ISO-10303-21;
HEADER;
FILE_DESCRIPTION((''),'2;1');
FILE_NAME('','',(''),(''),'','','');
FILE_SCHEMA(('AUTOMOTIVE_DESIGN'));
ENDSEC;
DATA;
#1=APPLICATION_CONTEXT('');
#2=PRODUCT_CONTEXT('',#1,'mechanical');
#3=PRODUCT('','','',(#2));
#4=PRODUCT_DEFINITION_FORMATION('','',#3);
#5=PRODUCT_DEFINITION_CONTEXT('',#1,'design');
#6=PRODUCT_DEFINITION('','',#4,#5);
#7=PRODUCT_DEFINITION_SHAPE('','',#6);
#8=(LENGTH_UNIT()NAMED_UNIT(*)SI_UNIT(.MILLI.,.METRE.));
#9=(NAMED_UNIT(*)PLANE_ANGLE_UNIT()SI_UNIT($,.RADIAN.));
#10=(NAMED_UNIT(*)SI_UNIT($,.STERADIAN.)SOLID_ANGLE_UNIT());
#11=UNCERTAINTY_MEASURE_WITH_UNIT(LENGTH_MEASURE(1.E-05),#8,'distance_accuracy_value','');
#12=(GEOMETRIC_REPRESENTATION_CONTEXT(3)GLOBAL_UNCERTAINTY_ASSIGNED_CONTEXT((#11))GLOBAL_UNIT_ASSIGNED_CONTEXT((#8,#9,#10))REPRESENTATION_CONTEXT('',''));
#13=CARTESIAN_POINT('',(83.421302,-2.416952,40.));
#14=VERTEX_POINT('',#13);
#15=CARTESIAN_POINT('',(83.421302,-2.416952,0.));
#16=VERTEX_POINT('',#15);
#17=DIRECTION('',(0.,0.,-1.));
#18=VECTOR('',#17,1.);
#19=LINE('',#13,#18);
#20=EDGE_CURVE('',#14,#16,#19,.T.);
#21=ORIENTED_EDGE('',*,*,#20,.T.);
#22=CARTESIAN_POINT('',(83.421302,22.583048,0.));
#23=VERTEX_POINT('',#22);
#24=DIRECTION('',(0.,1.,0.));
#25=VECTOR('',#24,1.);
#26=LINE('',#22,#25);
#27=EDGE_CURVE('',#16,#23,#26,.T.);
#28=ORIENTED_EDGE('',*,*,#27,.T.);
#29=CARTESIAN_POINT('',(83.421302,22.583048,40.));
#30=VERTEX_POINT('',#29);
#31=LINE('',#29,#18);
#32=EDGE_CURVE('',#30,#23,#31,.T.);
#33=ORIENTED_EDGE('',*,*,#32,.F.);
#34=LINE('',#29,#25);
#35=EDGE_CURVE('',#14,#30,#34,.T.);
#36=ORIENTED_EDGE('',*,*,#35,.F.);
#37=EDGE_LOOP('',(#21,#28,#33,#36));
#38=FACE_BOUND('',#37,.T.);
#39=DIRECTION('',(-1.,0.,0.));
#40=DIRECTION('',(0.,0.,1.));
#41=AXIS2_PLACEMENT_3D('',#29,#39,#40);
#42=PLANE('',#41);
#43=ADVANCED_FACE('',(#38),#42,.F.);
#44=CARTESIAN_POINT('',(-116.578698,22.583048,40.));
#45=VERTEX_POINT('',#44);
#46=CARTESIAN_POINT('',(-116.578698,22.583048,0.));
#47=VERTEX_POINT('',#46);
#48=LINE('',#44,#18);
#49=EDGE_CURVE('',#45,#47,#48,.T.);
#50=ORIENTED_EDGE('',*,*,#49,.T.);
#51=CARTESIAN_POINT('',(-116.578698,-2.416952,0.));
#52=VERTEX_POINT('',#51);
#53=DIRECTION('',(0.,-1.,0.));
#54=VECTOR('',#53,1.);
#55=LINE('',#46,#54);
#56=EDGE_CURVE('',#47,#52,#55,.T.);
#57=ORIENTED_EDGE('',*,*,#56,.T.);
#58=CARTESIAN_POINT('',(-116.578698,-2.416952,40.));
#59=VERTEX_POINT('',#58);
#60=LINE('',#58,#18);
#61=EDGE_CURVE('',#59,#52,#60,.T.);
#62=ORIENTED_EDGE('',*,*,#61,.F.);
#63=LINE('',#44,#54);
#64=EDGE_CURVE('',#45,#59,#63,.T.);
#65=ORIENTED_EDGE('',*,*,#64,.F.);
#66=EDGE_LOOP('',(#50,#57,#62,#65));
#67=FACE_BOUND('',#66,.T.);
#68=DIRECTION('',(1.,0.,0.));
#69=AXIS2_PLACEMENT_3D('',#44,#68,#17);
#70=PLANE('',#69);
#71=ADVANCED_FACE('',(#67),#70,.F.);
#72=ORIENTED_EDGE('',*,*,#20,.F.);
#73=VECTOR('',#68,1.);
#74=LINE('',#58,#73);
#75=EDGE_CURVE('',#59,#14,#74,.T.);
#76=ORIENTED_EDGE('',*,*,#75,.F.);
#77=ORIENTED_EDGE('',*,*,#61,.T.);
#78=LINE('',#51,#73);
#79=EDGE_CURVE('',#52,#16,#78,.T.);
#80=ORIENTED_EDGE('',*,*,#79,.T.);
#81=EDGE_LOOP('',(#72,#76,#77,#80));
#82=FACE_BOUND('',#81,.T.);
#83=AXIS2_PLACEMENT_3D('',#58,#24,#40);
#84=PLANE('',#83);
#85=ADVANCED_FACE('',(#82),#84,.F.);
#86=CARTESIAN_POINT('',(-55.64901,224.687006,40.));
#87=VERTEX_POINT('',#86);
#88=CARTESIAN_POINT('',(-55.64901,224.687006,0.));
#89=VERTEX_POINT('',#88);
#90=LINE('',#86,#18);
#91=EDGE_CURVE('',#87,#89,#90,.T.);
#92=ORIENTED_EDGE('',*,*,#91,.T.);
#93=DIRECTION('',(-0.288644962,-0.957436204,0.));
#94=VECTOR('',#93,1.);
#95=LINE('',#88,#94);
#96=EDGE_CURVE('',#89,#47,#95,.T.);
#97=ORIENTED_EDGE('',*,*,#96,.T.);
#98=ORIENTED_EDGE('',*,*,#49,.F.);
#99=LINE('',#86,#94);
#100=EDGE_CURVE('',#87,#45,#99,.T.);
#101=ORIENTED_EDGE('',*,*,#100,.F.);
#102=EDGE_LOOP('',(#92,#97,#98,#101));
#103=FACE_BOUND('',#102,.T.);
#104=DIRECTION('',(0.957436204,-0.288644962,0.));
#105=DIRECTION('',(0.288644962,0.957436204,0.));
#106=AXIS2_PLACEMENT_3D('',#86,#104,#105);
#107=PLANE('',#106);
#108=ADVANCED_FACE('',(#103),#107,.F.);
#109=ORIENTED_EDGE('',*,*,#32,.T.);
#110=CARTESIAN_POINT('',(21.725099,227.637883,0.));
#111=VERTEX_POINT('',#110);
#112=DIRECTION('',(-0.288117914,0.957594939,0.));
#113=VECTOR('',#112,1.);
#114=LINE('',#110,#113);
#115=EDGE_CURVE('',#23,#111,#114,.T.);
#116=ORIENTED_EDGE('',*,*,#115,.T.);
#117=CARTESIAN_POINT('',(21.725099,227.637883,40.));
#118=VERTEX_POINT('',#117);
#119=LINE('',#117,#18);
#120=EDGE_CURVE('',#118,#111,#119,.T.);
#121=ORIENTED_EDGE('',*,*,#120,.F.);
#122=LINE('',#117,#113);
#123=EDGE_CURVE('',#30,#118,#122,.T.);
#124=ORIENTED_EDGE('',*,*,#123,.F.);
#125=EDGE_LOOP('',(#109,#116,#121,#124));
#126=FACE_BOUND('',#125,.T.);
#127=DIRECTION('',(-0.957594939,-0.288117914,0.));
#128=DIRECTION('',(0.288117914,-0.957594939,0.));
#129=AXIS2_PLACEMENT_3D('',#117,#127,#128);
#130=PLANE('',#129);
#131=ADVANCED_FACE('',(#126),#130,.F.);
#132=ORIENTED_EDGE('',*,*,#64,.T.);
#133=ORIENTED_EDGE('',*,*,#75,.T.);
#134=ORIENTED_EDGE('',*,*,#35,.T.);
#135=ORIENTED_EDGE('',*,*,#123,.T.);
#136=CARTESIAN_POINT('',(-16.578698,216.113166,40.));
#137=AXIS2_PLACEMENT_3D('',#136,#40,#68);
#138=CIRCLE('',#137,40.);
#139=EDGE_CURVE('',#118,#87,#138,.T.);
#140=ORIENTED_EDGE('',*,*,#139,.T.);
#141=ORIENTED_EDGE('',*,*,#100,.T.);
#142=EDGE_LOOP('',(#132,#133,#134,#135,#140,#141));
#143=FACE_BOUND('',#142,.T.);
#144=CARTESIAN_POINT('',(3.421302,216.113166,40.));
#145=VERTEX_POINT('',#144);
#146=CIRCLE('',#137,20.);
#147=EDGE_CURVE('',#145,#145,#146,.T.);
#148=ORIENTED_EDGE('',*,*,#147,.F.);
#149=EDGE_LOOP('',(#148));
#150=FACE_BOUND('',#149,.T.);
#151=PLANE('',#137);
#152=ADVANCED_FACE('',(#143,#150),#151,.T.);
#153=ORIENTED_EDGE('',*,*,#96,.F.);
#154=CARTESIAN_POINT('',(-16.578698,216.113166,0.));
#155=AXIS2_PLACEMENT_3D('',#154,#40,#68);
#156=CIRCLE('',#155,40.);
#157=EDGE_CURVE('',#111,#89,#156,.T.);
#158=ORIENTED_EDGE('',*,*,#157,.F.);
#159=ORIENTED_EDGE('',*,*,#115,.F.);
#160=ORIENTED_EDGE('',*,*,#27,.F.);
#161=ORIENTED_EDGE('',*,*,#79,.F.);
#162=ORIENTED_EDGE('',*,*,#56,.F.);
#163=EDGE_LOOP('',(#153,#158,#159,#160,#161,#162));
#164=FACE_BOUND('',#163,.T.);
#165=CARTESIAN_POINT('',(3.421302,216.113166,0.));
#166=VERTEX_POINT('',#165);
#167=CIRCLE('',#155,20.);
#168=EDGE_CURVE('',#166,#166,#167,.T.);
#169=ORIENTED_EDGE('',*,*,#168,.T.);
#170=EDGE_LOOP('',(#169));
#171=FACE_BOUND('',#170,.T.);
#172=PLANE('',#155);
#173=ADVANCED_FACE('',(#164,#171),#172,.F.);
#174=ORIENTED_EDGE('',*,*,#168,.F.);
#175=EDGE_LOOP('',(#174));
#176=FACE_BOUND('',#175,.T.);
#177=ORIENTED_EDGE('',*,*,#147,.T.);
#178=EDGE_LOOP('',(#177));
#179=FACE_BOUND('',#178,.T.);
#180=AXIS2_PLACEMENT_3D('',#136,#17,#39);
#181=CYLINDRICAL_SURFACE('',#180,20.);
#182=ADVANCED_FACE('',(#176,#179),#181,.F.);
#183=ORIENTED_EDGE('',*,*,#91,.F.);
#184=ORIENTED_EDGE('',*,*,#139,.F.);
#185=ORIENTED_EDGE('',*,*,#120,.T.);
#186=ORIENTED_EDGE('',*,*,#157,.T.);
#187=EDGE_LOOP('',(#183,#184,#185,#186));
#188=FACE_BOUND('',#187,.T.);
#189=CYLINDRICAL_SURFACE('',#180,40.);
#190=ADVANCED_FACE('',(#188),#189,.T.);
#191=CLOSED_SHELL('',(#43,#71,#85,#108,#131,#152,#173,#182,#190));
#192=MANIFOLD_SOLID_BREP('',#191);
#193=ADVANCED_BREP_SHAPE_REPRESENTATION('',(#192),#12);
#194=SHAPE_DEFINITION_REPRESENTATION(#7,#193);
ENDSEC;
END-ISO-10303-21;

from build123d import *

# Parameters (mm, degrees)
SKETCH1_R           = 20
BOSS_EXTRUDE1_DEPTH = 40


with BuildPart() as part:
    # Sketch1 → Boss-Extrude1 (new body)
    with BuildSketch(Plane.XY):
        with BuildLine():
            Line((21.725099169, 227.637882638), (83.421301601, 22.583048084))
            Line((83.421301601, 22.583048084), (83.421301601, -2.416951916))
            Line((83.421301601, -2.416951916), (-116.578698399, -2.416951916))
            Line((-116.578698399, -2.416951916), (-116.578698399, 22.583048084))
            Line((-116.578698399, 22.583048084), (-55.649010242, 224.687006078))
            ThreePointArc((-55.649010242, 224.687006078), (-18.103101282, 256.084107965), (21.725099169, 227.637882638))
        make_face()
        with Locations((-16.578698399, 216.113166072)):
            Circle(SKETCH1_R, mode=Mode.SUBTRACT)
    extrude(amount=BOSS_EXTRUDE1_DEPTH)


solid = part.part
